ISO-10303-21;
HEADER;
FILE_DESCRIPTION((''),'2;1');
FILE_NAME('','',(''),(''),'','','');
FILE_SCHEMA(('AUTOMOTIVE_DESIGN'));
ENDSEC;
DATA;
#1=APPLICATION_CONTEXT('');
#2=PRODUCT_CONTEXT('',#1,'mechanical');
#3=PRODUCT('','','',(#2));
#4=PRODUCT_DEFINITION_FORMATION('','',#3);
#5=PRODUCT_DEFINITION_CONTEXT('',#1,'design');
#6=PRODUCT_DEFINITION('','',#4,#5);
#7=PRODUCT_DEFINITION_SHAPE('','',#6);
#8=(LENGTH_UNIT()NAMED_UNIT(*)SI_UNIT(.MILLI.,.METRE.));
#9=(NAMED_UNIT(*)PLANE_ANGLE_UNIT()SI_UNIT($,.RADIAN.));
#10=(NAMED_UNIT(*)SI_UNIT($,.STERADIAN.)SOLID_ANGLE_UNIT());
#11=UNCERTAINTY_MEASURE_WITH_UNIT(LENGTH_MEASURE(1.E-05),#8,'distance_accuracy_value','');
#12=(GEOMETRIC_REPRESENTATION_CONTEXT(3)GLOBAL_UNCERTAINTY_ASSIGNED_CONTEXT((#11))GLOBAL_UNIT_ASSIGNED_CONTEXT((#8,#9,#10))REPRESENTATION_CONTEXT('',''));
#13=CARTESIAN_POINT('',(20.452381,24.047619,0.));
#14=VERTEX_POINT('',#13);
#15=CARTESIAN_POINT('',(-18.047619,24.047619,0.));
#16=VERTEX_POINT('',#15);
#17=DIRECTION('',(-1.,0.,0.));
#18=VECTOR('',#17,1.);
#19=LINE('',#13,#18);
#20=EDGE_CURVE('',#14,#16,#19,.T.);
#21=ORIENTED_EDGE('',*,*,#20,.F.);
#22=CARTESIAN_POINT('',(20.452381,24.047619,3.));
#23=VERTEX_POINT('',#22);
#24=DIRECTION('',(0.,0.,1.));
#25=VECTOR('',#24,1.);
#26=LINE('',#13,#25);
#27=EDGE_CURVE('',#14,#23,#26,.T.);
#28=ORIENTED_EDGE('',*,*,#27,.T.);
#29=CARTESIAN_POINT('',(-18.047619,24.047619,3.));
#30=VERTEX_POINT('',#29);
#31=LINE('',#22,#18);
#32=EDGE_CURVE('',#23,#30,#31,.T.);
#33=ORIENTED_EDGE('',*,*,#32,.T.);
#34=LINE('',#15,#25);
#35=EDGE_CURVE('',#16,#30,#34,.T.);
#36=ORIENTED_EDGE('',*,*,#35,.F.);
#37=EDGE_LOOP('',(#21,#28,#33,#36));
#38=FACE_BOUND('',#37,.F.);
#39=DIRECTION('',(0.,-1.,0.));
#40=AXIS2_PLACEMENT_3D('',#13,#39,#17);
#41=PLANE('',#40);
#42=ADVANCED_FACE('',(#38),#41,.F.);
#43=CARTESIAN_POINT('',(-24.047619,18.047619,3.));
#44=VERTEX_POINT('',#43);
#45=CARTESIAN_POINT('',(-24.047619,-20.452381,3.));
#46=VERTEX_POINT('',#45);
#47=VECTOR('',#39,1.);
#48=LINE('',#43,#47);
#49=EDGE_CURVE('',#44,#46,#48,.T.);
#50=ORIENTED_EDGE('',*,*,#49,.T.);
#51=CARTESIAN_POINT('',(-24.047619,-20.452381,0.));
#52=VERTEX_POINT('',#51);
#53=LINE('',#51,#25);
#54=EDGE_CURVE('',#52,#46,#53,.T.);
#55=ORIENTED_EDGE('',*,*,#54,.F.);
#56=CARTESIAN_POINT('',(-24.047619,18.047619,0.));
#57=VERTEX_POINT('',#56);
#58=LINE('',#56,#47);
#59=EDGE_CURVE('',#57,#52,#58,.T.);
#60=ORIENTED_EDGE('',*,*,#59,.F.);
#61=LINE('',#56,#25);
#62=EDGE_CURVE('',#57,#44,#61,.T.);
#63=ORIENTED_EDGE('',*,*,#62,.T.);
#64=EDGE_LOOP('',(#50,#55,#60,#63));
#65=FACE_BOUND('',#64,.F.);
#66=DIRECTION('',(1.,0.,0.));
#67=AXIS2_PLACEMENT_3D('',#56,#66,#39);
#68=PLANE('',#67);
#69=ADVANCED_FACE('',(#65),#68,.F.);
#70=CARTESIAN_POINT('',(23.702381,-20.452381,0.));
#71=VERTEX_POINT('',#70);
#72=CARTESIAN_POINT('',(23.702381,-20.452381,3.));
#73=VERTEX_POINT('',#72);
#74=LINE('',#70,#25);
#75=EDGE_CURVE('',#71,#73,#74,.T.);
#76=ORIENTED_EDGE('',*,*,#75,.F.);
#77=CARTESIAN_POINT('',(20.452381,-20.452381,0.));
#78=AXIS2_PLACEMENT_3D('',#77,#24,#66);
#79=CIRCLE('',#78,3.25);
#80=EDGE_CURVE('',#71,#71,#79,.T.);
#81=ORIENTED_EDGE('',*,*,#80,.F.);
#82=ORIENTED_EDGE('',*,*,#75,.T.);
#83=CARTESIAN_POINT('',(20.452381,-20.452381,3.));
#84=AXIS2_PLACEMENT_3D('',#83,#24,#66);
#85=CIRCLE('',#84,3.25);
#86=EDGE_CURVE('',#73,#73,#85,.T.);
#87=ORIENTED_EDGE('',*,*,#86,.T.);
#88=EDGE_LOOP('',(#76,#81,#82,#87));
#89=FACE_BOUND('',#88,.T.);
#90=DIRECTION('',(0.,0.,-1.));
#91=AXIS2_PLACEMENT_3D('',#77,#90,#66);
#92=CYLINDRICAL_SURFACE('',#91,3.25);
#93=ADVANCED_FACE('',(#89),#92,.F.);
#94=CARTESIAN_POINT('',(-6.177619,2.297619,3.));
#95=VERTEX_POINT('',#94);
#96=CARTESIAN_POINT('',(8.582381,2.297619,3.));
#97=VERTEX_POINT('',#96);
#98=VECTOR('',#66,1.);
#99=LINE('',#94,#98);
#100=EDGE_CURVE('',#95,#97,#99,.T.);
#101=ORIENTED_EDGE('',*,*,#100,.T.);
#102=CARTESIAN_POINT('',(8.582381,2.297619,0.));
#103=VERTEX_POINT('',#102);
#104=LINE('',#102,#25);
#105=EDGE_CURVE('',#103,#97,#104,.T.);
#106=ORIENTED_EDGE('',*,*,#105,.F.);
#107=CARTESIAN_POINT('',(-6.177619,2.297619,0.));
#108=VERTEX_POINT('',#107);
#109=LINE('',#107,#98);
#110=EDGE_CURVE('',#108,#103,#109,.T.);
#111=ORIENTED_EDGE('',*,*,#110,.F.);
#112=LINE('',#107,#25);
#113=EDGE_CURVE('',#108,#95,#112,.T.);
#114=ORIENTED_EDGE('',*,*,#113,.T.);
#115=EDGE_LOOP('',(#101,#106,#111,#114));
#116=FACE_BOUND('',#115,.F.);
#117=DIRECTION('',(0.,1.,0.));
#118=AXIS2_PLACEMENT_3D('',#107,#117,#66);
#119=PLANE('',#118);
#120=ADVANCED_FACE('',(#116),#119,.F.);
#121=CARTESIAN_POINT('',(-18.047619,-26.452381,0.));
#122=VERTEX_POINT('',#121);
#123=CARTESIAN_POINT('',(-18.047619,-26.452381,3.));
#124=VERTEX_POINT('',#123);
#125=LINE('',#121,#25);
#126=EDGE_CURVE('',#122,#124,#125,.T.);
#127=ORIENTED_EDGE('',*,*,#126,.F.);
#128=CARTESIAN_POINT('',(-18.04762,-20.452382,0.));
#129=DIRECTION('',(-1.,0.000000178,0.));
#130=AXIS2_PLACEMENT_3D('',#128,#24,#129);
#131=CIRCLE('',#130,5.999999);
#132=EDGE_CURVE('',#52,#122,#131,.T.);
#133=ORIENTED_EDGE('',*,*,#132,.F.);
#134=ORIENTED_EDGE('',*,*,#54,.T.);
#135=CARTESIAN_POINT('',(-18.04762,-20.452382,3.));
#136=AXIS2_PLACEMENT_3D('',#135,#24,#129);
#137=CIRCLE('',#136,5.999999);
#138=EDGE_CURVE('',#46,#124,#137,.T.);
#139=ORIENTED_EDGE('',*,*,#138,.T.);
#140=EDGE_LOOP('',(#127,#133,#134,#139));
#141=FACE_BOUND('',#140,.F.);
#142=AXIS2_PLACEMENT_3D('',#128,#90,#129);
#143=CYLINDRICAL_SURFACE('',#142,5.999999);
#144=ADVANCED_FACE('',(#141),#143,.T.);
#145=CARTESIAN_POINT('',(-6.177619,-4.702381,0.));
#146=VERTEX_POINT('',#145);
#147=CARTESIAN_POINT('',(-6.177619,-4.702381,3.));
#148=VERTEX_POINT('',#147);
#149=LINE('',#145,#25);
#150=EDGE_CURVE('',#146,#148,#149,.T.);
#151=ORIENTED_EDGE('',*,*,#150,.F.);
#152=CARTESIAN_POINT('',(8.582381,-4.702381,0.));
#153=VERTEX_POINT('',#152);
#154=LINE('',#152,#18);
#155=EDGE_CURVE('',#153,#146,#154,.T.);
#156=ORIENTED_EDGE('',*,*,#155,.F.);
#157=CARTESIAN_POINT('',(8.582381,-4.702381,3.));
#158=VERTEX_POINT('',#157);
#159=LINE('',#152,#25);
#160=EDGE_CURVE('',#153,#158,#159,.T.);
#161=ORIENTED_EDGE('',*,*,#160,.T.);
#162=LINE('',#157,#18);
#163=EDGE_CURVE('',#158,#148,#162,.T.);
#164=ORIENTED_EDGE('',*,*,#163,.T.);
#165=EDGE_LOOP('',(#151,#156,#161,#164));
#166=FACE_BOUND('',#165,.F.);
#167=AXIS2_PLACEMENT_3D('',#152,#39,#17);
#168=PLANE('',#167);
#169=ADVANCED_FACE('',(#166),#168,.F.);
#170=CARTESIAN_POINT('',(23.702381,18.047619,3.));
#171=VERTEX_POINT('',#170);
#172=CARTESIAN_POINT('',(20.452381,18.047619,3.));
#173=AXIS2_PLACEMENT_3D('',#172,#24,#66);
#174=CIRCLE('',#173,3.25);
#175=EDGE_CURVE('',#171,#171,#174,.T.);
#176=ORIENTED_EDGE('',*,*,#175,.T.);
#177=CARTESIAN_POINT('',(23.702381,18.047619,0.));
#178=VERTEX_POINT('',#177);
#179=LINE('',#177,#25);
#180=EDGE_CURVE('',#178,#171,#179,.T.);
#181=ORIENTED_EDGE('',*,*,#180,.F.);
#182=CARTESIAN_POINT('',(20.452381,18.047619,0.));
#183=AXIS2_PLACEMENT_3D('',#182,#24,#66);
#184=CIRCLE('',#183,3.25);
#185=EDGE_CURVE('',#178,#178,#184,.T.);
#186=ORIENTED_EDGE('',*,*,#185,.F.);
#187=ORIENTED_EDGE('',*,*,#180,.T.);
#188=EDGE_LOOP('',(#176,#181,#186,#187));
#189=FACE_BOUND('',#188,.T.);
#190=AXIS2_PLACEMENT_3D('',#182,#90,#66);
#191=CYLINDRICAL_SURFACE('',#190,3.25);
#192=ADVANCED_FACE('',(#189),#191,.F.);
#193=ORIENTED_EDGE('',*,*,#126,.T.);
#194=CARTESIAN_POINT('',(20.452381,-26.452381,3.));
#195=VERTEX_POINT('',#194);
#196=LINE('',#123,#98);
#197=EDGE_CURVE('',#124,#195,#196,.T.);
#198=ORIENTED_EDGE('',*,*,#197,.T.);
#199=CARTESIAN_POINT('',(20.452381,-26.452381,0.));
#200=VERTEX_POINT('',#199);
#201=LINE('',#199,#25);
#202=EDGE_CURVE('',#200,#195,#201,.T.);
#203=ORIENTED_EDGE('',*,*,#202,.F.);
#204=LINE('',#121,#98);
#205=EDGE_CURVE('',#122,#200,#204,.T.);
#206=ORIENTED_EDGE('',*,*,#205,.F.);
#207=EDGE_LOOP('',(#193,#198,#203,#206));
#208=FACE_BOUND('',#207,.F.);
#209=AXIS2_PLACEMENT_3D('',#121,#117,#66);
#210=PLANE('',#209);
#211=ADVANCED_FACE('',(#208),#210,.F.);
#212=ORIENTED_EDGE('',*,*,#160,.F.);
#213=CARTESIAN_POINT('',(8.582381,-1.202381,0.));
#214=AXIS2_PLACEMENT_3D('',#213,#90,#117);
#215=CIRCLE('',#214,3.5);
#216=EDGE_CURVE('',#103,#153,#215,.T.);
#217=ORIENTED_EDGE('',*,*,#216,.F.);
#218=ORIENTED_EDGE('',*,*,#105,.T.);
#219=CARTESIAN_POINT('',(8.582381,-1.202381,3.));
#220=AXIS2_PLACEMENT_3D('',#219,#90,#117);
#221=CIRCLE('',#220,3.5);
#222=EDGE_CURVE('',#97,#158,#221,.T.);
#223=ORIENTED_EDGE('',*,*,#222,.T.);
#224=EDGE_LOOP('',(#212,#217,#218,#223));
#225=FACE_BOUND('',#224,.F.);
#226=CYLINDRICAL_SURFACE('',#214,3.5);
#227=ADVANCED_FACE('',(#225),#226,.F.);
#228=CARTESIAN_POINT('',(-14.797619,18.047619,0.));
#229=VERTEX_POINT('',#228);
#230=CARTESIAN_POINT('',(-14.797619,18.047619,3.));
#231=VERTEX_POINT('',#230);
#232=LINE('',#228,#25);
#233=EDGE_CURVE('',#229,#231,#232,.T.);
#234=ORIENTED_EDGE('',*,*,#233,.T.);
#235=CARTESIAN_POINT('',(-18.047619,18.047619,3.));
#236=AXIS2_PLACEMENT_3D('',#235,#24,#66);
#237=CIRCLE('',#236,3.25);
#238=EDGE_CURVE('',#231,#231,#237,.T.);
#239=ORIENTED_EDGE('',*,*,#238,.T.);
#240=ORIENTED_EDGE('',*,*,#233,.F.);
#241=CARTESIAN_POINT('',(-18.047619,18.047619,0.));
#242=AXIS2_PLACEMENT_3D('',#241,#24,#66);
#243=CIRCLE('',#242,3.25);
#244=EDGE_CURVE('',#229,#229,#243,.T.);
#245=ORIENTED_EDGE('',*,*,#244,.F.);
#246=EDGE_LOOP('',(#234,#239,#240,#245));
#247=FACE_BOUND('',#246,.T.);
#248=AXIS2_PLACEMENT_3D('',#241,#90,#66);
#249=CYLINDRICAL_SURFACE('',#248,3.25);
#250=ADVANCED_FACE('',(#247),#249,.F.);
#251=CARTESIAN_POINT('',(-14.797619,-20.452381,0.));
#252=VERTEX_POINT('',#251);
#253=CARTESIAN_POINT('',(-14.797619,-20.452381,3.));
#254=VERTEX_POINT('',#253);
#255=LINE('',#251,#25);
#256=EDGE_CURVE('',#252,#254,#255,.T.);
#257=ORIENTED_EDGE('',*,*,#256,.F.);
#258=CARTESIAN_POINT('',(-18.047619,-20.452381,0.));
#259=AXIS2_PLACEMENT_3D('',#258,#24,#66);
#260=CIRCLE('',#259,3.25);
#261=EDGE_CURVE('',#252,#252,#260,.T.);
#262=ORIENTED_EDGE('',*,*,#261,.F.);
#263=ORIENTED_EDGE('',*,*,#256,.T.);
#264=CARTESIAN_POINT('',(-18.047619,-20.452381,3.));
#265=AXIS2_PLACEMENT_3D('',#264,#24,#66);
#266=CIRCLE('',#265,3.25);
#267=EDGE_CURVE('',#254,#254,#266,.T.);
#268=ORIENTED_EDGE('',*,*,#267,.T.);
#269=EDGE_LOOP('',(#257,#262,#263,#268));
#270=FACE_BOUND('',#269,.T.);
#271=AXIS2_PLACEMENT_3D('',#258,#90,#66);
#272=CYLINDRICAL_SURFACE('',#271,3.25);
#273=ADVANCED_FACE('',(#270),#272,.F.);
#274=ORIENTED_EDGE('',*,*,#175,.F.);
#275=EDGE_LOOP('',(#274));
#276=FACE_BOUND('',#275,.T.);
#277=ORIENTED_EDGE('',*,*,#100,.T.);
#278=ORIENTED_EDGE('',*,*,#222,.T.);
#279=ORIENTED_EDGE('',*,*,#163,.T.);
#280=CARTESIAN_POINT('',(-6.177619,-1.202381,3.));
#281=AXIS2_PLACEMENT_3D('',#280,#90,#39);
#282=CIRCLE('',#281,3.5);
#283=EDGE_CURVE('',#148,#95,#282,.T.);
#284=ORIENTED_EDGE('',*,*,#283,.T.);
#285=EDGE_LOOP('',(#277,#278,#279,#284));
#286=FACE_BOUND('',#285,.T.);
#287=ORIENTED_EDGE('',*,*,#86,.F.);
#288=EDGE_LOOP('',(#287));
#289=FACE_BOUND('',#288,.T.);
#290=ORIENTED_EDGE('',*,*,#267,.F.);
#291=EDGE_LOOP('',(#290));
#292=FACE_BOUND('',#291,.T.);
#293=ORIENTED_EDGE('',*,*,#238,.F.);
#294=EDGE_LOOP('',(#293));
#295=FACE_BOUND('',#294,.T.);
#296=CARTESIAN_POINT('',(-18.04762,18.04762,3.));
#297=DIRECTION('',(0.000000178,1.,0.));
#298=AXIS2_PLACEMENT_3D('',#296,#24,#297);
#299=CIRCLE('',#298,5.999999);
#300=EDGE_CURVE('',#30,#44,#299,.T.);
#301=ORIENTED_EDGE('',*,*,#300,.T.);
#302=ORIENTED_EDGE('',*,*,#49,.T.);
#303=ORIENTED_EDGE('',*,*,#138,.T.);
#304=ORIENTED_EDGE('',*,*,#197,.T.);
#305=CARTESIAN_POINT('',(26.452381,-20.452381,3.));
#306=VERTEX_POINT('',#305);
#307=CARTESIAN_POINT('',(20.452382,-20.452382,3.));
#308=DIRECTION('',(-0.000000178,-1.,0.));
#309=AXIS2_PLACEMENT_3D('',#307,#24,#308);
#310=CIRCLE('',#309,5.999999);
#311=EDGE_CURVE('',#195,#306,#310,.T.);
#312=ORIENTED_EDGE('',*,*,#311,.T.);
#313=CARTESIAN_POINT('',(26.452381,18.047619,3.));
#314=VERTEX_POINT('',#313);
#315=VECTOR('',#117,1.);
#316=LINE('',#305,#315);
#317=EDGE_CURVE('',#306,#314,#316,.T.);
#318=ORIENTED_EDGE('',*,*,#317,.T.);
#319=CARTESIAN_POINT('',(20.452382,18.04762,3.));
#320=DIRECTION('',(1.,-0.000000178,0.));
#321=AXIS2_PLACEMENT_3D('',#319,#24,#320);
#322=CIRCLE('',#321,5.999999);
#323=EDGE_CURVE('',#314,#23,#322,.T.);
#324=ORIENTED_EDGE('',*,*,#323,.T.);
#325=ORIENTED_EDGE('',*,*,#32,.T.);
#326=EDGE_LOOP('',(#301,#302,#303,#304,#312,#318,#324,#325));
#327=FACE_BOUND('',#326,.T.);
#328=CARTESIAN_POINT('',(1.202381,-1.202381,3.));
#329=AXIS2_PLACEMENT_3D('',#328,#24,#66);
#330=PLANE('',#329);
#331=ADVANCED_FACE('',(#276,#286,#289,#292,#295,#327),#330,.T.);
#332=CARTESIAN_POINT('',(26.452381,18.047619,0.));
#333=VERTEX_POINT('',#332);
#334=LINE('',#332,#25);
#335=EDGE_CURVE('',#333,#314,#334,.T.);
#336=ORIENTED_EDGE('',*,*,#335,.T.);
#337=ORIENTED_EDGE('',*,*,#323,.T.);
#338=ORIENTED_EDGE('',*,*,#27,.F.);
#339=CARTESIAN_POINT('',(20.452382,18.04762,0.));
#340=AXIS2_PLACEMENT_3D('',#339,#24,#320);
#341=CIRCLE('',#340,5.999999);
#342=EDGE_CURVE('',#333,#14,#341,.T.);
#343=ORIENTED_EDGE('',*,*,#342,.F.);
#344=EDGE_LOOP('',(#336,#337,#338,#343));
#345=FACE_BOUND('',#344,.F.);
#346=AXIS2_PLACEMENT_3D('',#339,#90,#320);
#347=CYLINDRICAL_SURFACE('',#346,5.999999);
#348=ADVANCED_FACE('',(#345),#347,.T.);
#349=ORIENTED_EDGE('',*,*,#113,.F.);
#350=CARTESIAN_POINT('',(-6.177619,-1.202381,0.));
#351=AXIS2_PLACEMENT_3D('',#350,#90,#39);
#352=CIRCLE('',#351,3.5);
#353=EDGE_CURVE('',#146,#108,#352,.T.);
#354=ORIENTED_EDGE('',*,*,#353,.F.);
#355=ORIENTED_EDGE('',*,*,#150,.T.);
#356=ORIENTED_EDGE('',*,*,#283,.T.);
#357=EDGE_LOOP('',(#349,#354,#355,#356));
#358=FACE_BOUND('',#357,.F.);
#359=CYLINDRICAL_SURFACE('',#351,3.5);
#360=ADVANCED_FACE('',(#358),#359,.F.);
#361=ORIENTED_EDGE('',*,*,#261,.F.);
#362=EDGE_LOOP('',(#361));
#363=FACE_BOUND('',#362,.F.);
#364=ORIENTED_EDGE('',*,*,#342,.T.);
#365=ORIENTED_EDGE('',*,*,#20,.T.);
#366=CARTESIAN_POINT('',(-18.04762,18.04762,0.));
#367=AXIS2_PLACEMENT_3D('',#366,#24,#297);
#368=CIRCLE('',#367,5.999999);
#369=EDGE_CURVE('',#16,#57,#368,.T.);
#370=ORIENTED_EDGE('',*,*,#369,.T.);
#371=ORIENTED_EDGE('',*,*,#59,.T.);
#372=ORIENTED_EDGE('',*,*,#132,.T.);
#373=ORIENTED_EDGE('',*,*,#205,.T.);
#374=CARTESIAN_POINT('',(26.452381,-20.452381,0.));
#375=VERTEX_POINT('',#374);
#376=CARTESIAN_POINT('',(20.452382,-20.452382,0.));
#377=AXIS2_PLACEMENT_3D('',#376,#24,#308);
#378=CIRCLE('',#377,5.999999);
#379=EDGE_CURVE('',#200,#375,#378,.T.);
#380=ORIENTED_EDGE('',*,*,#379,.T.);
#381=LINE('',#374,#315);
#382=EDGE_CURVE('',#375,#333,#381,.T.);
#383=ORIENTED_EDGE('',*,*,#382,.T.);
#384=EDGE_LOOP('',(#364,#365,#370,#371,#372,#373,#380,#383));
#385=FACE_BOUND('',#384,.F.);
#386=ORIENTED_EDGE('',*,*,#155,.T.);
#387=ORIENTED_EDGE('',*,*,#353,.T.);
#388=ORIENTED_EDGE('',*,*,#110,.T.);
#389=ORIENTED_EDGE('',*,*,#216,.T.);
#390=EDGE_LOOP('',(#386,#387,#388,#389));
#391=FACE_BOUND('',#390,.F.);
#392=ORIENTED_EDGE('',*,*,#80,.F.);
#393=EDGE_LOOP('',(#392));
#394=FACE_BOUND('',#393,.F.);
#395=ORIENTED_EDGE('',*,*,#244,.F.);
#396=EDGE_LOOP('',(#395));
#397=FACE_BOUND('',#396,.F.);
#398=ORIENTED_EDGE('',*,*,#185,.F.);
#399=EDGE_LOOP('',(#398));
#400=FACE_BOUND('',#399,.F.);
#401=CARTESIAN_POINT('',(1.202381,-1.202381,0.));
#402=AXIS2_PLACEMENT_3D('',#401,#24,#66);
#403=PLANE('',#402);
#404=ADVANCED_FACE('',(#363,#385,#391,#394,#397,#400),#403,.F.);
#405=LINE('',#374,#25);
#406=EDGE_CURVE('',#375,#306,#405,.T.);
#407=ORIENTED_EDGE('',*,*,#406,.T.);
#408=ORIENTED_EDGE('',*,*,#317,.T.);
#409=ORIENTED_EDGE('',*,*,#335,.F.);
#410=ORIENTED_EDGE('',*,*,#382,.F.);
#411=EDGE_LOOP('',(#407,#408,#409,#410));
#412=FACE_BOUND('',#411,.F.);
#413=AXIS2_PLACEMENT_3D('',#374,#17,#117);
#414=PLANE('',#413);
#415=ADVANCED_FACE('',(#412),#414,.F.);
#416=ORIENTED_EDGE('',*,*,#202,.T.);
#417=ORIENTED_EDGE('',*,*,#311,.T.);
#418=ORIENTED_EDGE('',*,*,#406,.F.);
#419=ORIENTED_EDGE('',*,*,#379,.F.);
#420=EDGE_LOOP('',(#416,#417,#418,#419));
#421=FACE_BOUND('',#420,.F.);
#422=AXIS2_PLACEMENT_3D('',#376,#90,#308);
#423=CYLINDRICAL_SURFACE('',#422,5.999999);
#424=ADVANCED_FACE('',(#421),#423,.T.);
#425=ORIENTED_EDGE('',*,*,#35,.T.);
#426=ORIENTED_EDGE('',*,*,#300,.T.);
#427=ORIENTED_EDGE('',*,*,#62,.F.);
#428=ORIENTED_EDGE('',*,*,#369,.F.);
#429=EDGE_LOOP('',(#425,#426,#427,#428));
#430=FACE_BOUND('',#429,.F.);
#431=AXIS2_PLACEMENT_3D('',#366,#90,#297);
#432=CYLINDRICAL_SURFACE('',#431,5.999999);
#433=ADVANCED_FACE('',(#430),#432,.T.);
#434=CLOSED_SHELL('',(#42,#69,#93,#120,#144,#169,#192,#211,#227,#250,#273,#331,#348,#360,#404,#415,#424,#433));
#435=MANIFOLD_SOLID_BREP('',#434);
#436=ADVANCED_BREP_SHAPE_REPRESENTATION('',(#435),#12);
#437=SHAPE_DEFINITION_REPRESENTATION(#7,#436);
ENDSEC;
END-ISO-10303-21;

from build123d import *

# Parameters (mm, degrees)
F0_R     = 3.25
F1_DEPTH = 3


with BuildPart() as f1:
    # F0 (on Top) → F1 (new body)
    with BuildSketch(Plane.XY):
        with BuildLine():
            Line((20.452381, 24.047619), (-18.047619, 24.047619))
            ThreePointArc((-18.047619, 24.047619), (-22.29026, 22.29026), (-24.047619, 18.047619))
            Line((-24.047619, 18.047619), (-24.047619, -20.452381))
            ThreePointArc((-24.047619, -20.452381), (-22.29026, -24.695022), (-18.047619, -26.452381))
            Line((-18.047619, -26.452381), (20.452381, -26.452381))
            ThreePointArc((20.452381, -26.452381), (24.695022, -24.695022), (26.452381, -20.452381))
            Line((26.452381, -20.452381), (26.452381, 18.047619))
            ThreePointArc((26.452381, 18.047619), (24.695022, 22.29026), (20.452381, 24.047619))
        make_face()
        with Locations((-18.047619, -20.452381)):
            Circle(F0_R, mode=Mode.SUBTRACT)
        with Locations((20.452381, -20.452381)):
            Circle(F0_R, mode=Mode.SUBTRACT)
        with BuildLine():
            ThreePointArc((-6.177619, -4.702381), (-9.677619, -1.202381), (-6.177619, 2.297619))
            Line((-6.177619, 2.297619), (8.582381, 2.297619))
            ThreePointArc((8.582381, 2.297619), (12.082381, -1.202381), (8.582381, -4.702381))
            Line((8.582381, -4.702381), (-6.177619, -4.702381))
        make_face(mode=Mode.SUBTRACT)
        with Locations((-18.047619, 18.047619)):
            Circle(F0_R, mode=Mode.SUBTRACT)
        with Locations((20.452381, 18.047619)):
            Circle(F0_R, mode=Mode.SUBTRACT)
    extrude(amount=F1_DEPTH)


solid = f1.part
